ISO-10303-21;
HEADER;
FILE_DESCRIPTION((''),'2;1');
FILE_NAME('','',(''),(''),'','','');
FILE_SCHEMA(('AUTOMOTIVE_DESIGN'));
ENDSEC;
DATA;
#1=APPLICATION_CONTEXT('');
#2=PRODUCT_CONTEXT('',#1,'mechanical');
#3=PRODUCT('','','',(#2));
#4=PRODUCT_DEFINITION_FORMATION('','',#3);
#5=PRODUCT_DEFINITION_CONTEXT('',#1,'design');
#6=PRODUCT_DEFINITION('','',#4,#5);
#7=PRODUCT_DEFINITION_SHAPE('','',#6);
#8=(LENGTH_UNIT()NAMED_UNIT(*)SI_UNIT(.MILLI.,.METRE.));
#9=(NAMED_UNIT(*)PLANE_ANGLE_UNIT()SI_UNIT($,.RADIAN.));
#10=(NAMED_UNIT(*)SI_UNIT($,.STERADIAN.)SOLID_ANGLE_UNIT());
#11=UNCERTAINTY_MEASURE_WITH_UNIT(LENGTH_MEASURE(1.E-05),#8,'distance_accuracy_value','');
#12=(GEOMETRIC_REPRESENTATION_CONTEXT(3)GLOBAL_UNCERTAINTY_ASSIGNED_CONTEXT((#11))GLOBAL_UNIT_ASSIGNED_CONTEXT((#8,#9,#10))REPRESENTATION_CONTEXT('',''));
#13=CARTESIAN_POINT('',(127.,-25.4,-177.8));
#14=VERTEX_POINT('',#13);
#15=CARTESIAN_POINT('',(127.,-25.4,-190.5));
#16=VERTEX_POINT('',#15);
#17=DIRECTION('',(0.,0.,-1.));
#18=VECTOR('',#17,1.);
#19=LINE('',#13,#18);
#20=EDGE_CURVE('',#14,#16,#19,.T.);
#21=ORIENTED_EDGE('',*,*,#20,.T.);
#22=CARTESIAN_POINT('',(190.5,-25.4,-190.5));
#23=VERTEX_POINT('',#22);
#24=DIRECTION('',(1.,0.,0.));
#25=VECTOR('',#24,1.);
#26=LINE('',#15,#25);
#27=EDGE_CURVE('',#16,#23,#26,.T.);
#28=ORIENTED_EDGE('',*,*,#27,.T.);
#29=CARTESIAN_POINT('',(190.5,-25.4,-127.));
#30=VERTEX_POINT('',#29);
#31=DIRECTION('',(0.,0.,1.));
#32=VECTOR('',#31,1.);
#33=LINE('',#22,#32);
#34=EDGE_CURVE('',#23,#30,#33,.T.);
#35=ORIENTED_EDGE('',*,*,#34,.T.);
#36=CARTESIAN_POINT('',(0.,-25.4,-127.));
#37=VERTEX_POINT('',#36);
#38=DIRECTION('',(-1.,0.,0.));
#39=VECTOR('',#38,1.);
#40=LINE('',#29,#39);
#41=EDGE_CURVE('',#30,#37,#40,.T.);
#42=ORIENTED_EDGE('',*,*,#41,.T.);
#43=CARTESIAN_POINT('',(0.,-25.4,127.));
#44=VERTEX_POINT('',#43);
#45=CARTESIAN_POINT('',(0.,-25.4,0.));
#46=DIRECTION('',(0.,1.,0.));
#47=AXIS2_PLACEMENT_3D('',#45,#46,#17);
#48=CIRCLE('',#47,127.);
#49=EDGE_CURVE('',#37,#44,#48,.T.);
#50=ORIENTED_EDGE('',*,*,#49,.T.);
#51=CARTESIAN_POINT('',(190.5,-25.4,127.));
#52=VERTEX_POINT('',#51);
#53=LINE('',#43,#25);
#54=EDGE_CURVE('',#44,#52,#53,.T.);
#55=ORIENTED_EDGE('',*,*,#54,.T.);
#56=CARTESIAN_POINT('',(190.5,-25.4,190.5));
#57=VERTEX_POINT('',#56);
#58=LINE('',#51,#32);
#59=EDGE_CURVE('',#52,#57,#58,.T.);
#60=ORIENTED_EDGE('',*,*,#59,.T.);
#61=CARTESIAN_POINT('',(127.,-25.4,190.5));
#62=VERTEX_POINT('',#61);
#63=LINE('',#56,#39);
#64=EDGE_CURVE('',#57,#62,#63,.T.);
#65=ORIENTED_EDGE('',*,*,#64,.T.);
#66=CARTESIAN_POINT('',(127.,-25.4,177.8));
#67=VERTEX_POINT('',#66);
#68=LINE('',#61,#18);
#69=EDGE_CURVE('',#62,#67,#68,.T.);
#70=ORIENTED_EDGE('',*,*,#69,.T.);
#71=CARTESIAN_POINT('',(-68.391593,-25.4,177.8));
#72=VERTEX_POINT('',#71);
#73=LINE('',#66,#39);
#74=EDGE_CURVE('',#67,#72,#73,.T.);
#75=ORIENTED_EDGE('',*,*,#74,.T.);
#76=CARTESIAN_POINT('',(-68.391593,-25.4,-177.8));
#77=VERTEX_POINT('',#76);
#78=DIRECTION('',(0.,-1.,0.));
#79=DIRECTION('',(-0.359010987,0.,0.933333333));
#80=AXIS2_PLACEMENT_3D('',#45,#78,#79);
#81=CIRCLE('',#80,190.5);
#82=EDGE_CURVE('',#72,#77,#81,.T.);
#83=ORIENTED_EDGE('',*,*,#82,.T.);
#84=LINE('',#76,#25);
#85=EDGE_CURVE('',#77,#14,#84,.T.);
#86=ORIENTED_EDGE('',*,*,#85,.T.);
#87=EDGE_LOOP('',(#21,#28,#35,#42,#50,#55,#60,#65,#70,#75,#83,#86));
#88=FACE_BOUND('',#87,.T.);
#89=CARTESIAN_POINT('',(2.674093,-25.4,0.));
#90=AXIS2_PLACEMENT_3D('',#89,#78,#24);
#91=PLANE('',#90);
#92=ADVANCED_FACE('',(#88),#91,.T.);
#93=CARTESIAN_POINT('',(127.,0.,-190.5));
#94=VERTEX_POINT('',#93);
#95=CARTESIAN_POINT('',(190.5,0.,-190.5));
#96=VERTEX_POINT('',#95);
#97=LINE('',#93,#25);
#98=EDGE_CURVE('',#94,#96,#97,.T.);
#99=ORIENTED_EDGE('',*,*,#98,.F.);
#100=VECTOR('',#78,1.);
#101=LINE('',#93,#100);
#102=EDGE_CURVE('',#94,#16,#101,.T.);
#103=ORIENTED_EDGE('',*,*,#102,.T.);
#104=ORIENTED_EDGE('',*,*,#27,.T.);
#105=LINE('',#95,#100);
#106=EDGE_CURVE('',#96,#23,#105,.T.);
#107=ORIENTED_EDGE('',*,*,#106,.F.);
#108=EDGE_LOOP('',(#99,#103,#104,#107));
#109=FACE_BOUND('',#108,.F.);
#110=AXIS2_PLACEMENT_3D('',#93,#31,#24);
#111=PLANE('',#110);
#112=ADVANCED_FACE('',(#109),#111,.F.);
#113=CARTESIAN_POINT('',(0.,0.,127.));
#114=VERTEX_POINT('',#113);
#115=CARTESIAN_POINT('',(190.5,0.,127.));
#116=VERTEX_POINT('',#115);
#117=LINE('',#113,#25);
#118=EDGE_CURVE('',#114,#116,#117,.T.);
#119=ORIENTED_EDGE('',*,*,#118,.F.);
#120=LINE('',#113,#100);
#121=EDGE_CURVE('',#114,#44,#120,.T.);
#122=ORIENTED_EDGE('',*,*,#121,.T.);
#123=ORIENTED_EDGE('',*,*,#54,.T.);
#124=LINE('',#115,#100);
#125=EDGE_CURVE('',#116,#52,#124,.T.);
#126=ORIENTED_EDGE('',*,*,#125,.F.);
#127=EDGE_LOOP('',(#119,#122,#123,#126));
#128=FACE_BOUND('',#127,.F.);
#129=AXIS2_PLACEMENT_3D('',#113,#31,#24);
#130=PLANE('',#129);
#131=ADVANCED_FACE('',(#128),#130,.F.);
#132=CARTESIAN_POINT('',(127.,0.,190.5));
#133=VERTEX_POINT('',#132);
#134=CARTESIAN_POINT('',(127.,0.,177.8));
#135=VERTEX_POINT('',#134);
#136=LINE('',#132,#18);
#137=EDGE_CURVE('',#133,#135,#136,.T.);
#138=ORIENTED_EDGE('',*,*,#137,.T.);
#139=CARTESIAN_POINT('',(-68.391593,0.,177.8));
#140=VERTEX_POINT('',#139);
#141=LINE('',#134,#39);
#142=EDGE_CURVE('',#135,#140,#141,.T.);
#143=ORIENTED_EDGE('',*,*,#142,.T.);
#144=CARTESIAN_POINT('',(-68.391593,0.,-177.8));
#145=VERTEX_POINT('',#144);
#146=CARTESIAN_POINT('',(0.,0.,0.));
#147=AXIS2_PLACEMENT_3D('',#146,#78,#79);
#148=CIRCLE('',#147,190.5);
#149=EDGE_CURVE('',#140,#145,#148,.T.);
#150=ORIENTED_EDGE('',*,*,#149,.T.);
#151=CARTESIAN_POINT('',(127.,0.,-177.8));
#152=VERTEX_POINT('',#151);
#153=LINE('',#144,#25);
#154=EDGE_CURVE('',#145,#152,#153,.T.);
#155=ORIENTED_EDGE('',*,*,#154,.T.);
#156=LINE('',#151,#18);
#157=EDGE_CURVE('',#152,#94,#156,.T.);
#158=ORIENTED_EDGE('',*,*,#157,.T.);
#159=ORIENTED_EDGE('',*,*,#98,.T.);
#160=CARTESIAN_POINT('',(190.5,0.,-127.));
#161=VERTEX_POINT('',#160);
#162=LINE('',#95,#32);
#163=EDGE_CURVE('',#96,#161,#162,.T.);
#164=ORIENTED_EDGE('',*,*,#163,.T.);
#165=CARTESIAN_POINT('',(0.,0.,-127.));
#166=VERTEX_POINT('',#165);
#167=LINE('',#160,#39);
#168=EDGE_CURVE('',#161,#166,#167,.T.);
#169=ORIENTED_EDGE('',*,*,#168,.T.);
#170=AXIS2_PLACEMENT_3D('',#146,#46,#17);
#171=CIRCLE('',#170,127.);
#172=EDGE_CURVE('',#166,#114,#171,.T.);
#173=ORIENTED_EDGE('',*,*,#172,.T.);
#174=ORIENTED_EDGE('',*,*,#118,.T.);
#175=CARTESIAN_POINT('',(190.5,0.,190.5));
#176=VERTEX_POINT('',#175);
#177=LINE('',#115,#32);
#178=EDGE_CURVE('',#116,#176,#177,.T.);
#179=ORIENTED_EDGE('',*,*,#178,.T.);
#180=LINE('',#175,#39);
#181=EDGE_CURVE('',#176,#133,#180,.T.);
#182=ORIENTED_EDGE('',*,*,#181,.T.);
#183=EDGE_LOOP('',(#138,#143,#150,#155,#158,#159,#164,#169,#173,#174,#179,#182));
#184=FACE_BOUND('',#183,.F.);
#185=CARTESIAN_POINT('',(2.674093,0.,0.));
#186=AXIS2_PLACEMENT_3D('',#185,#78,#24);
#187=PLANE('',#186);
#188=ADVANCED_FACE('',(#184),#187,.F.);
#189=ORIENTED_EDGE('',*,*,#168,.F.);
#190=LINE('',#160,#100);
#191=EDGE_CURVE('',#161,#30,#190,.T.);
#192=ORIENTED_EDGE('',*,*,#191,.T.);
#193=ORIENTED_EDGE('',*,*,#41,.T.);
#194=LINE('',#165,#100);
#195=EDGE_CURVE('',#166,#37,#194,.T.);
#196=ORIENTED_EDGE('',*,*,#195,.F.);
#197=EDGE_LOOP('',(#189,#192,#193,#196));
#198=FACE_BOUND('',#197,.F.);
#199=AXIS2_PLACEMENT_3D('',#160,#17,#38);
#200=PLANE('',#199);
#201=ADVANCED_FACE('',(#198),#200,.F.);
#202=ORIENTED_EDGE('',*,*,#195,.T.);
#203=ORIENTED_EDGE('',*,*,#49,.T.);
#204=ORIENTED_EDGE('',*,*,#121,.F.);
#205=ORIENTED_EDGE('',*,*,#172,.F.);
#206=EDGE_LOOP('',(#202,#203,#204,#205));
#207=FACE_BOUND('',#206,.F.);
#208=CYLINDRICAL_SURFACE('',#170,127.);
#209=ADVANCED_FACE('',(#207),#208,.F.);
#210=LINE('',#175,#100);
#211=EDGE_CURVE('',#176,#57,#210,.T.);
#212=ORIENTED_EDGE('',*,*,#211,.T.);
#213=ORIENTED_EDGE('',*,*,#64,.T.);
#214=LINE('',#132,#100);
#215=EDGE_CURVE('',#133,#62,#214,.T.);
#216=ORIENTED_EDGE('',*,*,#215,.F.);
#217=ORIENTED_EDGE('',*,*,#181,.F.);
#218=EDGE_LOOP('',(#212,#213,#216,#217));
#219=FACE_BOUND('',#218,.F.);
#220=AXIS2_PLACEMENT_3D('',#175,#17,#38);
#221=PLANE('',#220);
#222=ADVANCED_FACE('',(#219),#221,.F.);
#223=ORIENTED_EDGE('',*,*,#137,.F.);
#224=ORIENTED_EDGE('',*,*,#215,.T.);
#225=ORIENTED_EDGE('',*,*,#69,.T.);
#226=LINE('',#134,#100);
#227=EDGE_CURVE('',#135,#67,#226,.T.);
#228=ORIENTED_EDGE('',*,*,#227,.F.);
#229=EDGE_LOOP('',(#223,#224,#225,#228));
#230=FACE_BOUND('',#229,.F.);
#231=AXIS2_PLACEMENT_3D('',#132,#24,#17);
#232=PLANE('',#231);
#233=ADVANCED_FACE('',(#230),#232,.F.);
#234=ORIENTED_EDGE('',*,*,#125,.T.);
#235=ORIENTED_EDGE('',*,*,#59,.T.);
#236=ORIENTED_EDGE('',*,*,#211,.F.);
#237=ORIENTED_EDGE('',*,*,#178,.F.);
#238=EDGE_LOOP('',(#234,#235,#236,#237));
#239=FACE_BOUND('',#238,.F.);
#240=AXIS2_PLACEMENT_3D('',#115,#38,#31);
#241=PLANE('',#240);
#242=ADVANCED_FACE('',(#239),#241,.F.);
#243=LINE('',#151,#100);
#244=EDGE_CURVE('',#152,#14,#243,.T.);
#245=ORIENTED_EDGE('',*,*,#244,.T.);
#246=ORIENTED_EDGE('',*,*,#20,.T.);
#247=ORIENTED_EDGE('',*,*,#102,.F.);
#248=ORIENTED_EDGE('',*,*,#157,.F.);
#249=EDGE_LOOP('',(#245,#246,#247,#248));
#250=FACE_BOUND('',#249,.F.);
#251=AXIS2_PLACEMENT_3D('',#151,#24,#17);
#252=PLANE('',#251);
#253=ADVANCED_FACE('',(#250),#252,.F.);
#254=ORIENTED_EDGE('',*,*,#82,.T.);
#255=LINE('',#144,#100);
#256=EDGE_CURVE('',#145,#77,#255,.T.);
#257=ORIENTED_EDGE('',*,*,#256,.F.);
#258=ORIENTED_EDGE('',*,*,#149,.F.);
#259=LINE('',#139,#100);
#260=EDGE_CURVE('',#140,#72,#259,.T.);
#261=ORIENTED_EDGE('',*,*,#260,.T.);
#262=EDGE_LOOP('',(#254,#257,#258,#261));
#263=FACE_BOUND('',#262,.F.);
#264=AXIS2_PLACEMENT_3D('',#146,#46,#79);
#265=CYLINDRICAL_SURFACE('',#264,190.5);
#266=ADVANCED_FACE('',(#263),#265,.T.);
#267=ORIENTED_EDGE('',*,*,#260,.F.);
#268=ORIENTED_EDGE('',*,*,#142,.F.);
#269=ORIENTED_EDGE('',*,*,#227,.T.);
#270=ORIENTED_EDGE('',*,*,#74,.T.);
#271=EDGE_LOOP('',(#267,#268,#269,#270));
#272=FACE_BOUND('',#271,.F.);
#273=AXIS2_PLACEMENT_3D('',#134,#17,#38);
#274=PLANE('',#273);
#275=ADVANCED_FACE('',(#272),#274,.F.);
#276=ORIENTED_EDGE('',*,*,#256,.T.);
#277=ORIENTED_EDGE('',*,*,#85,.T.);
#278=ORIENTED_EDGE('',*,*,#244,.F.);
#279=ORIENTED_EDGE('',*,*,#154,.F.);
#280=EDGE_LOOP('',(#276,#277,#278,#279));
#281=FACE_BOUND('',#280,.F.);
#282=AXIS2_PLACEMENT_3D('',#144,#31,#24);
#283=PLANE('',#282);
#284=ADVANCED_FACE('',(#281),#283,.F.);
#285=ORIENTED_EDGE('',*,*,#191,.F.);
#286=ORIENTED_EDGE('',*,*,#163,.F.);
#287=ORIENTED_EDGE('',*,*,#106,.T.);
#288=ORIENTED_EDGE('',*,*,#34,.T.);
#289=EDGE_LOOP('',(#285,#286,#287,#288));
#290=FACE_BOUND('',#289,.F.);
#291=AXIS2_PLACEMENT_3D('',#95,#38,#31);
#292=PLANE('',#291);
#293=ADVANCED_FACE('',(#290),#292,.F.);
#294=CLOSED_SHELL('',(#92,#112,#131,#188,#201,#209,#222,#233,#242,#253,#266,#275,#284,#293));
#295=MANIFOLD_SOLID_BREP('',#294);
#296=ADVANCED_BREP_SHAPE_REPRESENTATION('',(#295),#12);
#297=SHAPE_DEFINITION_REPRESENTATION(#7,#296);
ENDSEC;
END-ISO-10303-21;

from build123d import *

# Parameters (mm, degrees)
F1_DEPTH = 25.4


with BuildPart() as f1:
    # F0 (on Front) → F1 (new body)
    with BuildSketch(Plane.XZ):
        with BuildLine():
            Line((-68.391593, -177.8), (127, -177.8))
            Line((127, -177.8), (127, -190.5))
            Line((127, -190.5), (190.5, -190.5))
            Line((190.5, -190.5), (190.5, -177.8))
            Line((190.5, -177.8), (190.5, -127))
            Line((190.5, -127), (127, -127))
            Line((127, -127), (0, -127))
            ThreePointArc((0, -127), (-127, 0), (0, 127))
            Line((0, 127), (127, 127))
            Line((127, 127), (190.5, 127))
            Line((190.5, 127), (190.5, 177.8))
            Line((190.5, 177.8), (190.5, 190.5))
            Line((190.5, 190.5), (127, 190.5))
            Line((127, 190.5), (127, 177.8))
            Line((127, 177.8), (-68.391593, 177.8))
            ThreePointArc((-68.391593, 177.8), (-190.5, 0), (-68.391593, -177.8))
        make_face()
    extrude(amount=F1_DEPTH)


solid = f1.part
